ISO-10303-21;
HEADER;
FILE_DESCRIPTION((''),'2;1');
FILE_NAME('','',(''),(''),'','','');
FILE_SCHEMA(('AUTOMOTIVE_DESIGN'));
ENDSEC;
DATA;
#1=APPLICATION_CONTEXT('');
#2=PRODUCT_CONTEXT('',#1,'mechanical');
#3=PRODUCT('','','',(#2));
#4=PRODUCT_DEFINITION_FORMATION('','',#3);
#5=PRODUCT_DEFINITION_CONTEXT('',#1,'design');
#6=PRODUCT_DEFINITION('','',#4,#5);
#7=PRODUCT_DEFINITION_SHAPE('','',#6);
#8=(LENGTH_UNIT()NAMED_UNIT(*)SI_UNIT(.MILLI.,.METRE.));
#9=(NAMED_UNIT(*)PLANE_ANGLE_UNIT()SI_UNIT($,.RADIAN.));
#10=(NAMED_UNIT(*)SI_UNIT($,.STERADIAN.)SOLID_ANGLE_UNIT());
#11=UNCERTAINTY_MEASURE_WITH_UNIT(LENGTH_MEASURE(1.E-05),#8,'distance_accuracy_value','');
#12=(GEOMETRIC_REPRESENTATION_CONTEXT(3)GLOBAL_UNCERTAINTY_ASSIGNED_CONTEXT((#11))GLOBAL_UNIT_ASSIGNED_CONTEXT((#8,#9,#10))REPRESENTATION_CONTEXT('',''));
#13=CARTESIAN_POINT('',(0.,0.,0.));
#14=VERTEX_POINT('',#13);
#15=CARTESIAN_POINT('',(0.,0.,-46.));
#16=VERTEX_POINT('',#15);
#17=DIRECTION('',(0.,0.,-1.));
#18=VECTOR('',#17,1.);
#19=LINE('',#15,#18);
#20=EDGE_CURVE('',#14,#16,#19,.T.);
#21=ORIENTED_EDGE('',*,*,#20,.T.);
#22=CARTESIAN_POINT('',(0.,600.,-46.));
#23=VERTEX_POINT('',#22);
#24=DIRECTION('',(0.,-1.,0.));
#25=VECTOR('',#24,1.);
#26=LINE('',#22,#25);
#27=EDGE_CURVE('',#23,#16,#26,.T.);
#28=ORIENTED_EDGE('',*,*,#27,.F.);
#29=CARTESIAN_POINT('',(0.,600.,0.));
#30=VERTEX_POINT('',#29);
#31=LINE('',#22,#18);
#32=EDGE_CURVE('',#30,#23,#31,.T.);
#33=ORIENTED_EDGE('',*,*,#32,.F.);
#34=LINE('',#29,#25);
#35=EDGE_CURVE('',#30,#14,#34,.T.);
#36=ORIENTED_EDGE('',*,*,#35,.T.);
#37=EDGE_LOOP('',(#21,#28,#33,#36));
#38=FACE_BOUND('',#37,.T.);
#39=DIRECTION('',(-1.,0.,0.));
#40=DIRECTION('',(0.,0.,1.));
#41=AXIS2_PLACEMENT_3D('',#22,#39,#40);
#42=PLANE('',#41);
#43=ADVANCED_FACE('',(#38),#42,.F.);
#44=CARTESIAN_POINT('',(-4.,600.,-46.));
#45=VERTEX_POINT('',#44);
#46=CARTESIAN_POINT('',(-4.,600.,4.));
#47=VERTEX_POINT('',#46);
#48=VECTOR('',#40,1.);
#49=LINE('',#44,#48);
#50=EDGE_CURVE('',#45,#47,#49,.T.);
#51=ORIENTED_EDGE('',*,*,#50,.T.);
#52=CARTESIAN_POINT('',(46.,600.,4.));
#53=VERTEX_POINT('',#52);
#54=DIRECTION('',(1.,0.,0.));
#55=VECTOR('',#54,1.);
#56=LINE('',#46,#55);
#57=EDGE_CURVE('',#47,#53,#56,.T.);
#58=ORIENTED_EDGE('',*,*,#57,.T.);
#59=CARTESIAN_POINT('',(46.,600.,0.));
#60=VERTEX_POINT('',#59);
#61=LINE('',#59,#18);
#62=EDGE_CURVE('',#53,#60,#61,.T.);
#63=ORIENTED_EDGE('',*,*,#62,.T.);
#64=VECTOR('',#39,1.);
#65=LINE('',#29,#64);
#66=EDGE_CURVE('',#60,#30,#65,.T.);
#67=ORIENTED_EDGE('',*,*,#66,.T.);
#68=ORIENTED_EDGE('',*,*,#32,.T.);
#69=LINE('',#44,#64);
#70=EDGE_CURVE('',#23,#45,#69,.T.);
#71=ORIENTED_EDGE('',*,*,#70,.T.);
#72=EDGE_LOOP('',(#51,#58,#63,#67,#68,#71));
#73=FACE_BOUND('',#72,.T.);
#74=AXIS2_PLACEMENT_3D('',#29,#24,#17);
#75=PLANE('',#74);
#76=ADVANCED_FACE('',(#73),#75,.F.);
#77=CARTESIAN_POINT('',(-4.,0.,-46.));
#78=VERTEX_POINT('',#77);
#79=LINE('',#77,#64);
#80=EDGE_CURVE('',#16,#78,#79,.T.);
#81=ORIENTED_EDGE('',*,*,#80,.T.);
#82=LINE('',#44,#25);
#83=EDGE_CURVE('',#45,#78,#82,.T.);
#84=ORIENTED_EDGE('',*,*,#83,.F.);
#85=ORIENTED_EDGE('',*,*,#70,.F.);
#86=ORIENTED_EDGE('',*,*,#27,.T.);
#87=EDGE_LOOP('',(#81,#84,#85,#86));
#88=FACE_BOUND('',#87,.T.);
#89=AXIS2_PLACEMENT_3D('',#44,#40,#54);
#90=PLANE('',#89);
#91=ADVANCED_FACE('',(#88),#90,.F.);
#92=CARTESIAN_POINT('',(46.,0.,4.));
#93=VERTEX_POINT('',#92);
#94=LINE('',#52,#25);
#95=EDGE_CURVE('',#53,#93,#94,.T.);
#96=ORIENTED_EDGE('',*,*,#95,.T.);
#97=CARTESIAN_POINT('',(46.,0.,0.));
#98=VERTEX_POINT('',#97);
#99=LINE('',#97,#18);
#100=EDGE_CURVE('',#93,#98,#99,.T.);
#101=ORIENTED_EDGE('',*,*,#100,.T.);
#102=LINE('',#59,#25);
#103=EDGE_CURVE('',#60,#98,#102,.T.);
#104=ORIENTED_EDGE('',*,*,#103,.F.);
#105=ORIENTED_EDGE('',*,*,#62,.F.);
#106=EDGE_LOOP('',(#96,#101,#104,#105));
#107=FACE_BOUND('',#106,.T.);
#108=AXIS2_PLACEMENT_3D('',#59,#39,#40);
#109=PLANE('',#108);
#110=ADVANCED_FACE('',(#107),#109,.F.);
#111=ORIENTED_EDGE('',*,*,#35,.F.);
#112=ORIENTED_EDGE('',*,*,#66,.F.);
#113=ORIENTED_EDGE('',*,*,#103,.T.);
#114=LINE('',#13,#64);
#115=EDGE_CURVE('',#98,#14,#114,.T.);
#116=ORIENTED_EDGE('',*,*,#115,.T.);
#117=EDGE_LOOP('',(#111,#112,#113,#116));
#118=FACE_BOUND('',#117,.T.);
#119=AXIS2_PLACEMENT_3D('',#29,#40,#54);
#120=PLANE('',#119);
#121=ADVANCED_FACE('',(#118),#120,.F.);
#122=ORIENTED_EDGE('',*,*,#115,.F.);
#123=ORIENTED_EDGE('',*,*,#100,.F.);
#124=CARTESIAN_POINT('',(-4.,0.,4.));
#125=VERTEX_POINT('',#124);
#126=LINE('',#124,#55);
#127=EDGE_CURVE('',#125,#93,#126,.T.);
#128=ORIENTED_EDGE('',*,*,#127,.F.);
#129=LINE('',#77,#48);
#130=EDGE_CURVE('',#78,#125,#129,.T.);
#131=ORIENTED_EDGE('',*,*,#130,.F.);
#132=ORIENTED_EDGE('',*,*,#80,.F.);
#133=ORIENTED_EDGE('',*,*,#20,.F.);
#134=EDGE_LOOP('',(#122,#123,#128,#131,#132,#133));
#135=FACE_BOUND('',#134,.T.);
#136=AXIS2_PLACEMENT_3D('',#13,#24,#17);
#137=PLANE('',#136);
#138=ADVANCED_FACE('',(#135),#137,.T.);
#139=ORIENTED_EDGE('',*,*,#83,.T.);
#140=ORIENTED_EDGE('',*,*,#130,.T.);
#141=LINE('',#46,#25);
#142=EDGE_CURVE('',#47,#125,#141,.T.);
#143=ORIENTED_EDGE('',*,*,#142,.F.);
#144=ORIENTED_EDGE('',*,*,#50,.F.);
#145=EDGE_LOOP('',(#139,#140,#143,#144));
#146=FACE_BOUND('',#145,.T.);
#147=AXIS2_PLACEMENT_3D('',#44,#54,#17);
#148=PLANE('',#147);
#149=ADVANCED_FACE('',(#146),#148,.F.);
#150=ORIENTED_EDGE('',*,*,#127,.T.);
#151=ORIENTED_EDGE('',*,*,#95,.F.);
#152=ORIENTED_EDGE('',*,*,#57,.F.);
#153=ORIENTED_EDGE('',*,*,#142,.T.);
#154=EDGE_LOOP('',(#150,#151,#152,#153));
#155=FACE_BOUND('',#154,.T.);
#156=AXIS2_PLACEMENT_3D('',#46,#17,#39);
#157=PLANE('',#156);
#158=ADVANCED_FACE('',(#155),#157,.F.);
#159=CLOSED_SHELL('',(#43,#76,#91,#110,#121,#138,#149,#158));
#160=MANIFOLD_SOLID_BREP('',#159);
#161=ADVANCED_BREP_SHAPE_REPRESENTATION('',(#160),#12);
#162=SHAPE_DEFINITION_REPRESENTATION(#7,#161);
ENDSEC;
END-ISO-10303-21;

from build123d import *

# Parameters (mm, degrees)
EXTRUDE_1_DEPTH = 600


with BuildPart() as part:
    # Эскиз2 → Бобышка-Вытянуть1 (new body)
    with BuildSketch(Plane(origin=(0, 0, 0), x_dir=(1, 0, 0), z_dir=(0, 1, 0))):
        Polygon((0, 46), (0, 0), (46, 0), (46, -4), (-4, -4), (-4, 46), align=None)
    extrude(amount=EXTRUDE_1_DEPTH)


solid = part.part
